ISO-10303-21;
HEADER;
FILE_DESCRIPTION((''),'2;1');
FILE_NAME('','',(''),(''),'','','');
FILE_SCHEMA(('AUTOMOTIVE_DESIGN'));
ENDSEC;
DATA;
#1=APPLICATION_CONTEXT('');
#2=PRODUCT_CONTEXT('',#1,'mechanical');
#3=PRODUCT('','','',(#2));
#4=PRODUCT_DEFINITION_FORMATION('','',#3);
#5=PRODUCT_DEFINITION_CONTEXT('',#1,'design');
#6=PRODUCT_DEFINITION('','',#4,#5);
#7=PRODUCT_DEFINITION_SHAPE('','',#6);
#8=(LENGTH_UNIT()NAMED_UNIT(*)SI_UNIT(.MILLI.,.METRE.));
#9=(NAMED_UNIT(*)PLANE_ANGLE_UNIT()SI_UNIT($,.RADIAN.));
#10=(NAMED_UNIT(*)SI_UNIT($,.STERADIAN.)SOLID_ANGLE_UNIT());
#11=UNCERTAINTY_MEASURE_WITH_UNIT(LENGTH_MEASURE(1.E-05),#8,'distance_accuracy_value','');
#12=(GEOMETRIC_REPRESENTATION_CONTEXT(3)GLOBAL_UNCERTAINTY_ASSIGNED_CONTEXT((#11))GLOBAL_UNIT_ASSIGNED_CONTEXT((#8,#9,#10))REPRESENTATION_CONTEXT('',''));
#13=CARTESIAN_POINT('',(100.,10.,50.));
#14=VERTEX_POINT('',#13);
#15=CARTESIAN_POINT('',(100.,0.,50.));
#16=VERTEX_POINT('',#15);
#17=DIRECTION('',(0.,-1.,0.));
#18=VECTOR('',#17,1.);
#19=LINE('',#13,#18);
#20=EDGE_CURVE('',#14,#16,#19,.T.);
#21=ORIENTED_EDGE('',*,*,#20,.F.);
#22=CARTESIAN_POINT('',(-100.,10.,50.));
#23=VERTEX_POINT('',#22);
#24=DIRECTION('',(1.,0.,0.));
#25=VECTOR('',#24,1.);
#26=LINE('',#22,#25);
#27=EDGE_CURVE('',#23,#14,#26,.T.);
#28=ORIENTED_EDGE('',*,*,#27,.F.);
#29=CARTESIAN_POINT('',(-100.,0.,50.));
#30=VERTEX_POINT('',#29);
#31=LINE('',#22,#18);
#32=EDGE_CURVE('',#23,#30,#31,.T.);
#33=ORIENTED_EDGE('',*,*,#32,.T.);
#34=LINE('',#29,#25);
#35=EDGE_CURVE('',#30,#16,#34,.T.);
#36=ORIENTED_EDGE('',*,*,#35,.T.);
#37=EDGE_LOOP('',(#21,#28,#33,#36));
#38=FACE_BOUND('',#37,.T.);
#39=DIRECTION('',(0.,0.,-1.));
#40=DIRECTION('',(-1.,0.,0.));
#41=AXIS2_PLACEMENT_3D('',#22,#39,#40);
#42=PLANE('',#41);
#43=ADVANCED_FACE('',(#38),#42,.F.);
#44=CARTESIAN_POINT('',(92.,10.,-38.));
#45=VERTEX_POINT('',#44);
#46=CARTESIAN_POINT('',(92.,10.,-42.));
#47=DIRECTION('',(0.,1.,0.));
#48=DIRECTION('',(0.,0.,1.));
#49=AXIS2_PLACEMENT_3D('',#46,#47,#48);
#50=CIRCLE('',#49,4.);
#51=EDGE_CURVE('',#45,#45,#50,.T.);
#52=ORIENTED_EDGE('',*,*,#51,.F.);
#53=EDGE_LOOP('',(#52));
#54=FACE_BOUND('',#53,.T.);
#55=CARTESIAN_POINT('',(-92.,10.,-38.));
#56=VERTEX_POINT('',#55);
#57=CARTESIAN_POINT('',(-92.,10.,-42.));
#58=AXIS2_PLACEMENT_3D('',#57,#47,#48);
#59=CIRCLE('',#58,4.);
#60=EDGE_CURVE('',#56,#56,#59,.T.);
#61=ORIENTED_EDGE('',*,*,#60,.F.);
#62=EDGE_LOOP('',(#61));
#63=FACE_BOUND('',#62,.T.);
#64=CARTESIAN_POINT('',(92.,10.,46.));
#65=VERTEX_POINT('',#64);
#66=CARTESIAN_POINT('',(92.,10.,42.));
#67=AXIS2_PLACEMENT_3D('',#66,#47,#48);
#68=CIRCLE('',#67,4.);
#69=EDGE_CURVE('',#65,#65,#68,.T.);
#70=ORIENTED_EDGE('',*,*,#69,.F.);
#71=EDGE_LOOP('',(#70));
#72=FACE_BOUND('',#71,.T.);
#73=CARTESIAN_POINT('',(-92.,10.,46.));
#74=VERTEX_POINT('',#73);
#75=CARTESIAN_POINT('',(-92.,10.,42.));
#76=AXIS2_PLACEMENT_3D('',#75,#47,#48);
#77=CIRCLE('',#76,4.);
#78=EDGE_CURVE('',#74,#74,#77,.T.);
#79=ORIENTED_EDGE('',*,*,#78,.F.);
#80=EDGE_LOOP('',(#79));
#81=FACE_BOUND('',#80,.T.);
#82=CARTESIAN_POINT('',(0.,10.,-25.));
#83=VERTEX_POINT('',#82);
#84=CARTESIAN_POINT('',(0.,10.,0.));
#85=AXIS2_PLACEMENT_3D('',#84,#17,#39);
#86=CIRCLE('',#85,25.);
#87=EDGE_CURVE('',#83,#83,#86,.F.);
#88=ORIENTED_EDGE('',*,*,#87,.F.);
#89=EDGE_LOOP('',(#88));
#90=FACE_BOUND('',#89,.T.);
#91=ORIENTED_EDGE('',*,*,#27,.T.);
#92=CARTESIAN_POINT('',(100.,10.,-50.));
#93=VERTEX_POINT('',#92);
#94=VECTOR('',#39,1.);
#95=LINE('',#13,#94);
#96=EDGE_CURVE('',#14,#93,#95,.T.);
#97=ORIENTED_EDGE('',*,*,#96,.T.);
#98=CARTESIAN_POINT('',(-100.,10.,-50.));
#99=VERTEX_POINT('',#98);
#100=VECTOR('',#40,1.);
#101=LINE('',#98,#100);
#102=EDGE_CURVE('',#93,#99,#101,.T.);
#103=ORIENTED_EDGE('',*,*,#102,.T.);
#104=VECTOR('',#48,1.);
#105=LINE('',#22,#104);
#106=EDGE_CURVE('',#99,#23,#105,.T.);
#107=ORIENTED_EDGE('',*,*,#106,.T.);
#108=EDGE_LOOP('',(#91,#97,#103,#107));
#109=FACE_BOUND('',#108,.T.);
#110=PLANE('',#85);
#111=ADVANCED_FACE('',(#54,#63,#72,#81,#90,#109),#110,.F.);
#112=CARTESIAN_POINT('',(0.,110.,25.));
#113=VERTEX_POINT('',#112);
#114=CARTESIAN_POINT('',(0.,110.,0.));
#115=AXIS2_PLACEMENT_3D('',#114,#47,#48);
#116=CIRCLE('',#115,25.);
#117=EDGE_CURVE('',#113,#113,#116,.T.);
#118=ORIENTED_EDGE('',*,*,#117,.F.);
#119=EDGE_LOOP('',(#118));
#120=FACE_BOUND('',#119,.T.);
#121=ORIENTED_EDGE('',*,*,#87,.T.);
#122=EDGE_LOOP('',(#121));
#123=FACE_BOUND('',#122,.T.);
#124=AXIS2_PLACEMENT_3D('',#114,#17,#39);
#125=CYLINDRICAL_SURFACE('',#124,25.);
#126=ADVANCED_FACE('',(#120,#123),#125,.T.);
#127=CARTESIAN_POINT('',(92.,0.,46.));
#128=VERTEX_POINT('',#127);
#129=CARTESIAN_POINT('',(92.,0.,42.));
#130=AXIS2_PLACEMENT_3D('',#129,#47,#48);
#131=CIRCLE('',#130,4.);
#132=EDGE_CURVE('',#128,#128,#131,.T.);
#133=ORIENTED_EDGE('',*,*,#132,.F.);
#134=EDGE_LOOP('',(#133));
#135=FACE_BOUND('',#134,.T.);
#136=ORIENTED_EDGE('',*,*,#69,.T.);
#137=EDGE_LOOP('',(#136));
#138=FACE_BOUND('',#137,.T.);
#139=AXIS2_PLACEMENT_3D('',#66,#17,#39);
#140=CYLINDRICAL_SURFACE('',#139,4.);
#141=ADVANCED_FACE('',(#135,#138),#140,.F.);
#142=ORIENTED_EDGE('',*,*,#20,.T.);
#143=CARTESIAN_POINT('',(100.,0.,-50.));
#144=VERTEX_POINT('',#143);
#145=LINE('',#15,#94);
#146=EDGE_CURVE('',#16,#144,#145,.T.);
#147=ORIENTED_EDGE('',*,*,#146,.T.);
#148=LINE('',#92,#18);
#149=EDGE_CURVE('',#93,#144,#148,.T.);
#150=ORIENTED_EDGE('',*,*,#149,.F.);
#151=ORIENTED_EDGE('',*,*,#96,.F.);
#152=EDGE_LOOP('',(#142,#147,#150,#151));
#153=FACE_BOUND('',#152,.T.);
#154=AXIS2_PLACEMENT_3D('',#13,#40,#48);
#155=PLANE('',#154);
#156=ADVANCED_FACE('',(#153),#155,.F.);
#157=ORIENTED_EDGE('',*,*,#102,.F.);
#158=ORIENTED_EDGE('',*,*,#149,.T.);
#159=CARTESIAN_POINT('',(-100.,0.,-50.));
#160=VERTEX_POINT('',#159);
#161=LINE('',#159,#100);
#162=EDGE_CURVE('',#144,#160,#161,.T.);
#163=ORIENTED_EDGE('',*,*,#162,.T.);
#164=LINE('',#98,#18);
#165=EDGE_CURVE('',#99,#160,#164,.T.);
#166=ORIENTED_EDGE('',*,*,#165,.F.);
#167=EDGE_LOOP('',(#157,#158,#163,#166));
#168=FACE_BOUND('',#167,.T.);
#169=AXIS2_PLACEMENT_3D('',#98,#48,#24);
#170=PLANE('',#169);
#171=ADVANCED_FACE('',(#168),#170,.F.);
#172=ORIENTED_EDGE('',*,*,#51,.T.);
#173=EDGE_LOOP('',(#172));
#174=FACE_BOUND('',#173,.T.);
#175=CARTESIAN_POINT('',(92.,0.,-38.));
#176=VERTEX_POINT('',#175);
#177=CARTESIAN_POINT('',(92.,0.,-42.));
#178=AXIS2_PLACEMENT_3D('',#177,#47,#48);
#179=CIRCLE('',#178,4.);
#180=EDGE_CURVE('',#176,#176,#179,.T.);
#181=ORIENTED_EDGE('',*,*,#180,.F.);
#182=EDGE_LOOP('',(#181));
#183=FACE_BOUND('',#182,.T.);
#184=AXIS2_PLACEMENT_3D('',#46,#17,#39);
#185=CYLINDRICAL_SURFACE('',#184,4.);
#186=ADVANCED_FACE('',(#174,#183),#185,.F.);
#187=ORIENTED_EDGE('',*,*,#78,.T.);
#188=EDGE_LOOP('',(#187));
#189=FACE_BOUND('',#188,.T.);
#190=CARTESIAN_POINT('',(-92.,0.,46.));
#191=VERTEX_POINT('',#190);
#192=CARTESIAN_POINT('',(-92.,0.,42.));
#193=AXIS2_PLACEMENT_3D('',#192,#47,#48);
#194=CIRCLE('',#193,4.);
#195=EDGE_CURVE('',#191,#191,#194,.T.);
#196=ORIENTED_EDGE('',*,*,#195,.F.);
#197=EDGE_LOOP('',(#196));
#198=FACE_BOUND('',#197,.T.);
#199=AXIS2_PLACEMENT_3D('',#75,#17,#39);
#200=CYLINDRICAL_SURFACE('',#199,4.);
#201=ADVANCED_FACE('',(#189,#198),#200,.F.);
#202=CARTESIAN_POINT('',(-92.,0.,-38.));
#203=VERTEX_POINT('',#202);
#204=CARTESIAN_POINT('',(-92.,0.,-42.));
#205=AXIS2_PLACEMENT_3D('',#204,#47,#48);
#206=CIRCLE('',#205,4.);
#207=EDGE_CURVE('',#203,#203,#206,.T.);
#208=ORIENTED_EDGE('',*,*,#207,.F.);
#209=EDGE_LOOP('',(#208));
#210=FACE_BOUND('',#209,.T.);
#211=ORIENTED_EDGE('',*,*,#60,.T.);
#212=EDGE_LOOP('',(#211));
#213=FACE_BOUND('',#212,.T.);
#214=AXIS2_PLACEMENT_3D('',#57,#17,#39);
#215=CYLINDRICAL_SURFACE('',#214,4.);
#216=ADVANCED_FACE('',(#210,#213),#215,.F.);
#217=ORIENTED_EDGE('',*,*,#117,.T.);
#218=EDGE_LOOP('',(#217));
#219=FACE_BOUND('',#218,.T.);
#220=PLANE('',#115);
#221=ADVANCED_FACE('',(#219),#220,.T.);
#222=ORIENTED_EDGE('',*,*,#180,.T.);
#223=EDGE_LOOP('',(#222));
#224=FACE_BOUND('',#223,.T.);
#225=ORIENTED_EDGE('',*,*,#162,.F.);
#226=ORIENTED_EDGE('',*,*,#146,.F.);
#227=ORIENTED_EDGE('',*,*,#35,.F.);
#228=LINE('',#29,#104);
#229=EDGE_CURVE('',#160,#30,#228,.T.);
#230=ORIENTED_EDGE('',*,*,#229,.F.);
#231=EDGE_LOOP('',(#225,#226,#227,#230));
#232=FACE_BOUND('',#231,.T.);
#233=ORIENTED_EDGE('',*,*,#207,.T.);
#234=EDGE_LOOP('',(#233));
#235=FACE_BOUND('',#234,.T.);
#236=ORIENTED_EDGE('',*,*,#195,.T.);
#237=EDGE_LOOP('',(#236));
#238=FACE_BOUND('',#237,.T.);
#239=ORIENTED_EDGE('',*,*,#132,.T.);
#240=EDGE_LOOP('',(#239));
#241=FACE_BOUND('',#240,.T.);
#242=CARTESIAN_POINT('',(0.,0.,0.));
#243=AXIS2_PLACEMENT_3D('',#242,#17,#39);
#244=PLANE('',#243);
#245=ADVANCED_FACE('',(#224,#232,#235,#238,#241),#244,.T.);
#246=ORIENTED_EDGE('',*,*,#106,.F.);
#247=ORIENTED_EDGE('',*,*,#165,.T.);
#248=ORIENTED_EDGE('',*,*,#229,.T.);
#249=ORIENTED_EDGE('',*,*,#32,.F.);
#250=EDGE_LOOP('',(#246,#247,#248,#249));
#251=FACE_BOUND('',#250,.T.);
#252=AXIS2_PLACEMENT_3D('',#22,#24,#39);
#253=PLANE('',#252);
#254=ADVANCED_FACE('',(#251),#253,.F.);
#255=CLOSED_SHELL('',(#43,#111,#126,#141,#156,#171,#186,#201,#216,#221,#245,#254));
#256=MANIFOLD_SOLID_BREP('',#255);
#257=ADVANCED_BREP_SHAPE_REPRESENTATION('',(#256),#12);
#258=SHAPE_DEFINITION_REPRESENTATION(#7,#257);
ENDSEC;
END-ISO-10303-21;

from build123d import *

# Parameters (mm, degrees)
SKETCH1_W           = 200
SKETCH1_H           = 100
SKETCH1_R           = 4
BOSS_EXTRUDE1_DEPTH = 10
SKETCH2_R           = 25
BOSS_EXTRUDE2_DEPTH = 100


with BuildPart() as part:
    # Sketch1 → Boss-Extrude1 (new body)
    with BuildSketch(Plane(origin=(0, 0, 0), x_dir=(1, 0, 0), z_dir=(0, 1, 0))):
        Rectangle(SKETCH1_W, SKETCH1_H)
        with Locations(Location((-92, 42, 0), (0, 0, 270))):
            Circle(SKETCH1_R, mode=Mode.SUBTRACT)
        with Locations(Location((-92, -42, 0), (0, 0, 270))):
            Circle(SKETCH1_R, mode=Mode.SUBTRACT)
        with Locations(Location((92, -42, 0), (0, 0, 270))):
            Circle(SKETCH1_R, mode=Mode.SUBTRACT)
        with Locations(Location((92, 42, 0), (0, 0, 270))):
            Circle(SKETCH1_R, mode=Mode.SUBTRACT)
    extrude(amount=BOSS_EXTRUDE1_DEPTH)

    # Sketch2 → Boss-Extrude2 (add)
    with BuildSketch(Plane(origin=(0, 10, 0), x_dir=(1, 0, 0), z_dir=(0, 1, 0))):
        with Locations(Location((0, 0, 0), (0, 0, 90))):
            Circle(SKETCH2_R)
    extrude(amount=BOSS_EXTRUDE2_DEPTH)


solid = part.part
